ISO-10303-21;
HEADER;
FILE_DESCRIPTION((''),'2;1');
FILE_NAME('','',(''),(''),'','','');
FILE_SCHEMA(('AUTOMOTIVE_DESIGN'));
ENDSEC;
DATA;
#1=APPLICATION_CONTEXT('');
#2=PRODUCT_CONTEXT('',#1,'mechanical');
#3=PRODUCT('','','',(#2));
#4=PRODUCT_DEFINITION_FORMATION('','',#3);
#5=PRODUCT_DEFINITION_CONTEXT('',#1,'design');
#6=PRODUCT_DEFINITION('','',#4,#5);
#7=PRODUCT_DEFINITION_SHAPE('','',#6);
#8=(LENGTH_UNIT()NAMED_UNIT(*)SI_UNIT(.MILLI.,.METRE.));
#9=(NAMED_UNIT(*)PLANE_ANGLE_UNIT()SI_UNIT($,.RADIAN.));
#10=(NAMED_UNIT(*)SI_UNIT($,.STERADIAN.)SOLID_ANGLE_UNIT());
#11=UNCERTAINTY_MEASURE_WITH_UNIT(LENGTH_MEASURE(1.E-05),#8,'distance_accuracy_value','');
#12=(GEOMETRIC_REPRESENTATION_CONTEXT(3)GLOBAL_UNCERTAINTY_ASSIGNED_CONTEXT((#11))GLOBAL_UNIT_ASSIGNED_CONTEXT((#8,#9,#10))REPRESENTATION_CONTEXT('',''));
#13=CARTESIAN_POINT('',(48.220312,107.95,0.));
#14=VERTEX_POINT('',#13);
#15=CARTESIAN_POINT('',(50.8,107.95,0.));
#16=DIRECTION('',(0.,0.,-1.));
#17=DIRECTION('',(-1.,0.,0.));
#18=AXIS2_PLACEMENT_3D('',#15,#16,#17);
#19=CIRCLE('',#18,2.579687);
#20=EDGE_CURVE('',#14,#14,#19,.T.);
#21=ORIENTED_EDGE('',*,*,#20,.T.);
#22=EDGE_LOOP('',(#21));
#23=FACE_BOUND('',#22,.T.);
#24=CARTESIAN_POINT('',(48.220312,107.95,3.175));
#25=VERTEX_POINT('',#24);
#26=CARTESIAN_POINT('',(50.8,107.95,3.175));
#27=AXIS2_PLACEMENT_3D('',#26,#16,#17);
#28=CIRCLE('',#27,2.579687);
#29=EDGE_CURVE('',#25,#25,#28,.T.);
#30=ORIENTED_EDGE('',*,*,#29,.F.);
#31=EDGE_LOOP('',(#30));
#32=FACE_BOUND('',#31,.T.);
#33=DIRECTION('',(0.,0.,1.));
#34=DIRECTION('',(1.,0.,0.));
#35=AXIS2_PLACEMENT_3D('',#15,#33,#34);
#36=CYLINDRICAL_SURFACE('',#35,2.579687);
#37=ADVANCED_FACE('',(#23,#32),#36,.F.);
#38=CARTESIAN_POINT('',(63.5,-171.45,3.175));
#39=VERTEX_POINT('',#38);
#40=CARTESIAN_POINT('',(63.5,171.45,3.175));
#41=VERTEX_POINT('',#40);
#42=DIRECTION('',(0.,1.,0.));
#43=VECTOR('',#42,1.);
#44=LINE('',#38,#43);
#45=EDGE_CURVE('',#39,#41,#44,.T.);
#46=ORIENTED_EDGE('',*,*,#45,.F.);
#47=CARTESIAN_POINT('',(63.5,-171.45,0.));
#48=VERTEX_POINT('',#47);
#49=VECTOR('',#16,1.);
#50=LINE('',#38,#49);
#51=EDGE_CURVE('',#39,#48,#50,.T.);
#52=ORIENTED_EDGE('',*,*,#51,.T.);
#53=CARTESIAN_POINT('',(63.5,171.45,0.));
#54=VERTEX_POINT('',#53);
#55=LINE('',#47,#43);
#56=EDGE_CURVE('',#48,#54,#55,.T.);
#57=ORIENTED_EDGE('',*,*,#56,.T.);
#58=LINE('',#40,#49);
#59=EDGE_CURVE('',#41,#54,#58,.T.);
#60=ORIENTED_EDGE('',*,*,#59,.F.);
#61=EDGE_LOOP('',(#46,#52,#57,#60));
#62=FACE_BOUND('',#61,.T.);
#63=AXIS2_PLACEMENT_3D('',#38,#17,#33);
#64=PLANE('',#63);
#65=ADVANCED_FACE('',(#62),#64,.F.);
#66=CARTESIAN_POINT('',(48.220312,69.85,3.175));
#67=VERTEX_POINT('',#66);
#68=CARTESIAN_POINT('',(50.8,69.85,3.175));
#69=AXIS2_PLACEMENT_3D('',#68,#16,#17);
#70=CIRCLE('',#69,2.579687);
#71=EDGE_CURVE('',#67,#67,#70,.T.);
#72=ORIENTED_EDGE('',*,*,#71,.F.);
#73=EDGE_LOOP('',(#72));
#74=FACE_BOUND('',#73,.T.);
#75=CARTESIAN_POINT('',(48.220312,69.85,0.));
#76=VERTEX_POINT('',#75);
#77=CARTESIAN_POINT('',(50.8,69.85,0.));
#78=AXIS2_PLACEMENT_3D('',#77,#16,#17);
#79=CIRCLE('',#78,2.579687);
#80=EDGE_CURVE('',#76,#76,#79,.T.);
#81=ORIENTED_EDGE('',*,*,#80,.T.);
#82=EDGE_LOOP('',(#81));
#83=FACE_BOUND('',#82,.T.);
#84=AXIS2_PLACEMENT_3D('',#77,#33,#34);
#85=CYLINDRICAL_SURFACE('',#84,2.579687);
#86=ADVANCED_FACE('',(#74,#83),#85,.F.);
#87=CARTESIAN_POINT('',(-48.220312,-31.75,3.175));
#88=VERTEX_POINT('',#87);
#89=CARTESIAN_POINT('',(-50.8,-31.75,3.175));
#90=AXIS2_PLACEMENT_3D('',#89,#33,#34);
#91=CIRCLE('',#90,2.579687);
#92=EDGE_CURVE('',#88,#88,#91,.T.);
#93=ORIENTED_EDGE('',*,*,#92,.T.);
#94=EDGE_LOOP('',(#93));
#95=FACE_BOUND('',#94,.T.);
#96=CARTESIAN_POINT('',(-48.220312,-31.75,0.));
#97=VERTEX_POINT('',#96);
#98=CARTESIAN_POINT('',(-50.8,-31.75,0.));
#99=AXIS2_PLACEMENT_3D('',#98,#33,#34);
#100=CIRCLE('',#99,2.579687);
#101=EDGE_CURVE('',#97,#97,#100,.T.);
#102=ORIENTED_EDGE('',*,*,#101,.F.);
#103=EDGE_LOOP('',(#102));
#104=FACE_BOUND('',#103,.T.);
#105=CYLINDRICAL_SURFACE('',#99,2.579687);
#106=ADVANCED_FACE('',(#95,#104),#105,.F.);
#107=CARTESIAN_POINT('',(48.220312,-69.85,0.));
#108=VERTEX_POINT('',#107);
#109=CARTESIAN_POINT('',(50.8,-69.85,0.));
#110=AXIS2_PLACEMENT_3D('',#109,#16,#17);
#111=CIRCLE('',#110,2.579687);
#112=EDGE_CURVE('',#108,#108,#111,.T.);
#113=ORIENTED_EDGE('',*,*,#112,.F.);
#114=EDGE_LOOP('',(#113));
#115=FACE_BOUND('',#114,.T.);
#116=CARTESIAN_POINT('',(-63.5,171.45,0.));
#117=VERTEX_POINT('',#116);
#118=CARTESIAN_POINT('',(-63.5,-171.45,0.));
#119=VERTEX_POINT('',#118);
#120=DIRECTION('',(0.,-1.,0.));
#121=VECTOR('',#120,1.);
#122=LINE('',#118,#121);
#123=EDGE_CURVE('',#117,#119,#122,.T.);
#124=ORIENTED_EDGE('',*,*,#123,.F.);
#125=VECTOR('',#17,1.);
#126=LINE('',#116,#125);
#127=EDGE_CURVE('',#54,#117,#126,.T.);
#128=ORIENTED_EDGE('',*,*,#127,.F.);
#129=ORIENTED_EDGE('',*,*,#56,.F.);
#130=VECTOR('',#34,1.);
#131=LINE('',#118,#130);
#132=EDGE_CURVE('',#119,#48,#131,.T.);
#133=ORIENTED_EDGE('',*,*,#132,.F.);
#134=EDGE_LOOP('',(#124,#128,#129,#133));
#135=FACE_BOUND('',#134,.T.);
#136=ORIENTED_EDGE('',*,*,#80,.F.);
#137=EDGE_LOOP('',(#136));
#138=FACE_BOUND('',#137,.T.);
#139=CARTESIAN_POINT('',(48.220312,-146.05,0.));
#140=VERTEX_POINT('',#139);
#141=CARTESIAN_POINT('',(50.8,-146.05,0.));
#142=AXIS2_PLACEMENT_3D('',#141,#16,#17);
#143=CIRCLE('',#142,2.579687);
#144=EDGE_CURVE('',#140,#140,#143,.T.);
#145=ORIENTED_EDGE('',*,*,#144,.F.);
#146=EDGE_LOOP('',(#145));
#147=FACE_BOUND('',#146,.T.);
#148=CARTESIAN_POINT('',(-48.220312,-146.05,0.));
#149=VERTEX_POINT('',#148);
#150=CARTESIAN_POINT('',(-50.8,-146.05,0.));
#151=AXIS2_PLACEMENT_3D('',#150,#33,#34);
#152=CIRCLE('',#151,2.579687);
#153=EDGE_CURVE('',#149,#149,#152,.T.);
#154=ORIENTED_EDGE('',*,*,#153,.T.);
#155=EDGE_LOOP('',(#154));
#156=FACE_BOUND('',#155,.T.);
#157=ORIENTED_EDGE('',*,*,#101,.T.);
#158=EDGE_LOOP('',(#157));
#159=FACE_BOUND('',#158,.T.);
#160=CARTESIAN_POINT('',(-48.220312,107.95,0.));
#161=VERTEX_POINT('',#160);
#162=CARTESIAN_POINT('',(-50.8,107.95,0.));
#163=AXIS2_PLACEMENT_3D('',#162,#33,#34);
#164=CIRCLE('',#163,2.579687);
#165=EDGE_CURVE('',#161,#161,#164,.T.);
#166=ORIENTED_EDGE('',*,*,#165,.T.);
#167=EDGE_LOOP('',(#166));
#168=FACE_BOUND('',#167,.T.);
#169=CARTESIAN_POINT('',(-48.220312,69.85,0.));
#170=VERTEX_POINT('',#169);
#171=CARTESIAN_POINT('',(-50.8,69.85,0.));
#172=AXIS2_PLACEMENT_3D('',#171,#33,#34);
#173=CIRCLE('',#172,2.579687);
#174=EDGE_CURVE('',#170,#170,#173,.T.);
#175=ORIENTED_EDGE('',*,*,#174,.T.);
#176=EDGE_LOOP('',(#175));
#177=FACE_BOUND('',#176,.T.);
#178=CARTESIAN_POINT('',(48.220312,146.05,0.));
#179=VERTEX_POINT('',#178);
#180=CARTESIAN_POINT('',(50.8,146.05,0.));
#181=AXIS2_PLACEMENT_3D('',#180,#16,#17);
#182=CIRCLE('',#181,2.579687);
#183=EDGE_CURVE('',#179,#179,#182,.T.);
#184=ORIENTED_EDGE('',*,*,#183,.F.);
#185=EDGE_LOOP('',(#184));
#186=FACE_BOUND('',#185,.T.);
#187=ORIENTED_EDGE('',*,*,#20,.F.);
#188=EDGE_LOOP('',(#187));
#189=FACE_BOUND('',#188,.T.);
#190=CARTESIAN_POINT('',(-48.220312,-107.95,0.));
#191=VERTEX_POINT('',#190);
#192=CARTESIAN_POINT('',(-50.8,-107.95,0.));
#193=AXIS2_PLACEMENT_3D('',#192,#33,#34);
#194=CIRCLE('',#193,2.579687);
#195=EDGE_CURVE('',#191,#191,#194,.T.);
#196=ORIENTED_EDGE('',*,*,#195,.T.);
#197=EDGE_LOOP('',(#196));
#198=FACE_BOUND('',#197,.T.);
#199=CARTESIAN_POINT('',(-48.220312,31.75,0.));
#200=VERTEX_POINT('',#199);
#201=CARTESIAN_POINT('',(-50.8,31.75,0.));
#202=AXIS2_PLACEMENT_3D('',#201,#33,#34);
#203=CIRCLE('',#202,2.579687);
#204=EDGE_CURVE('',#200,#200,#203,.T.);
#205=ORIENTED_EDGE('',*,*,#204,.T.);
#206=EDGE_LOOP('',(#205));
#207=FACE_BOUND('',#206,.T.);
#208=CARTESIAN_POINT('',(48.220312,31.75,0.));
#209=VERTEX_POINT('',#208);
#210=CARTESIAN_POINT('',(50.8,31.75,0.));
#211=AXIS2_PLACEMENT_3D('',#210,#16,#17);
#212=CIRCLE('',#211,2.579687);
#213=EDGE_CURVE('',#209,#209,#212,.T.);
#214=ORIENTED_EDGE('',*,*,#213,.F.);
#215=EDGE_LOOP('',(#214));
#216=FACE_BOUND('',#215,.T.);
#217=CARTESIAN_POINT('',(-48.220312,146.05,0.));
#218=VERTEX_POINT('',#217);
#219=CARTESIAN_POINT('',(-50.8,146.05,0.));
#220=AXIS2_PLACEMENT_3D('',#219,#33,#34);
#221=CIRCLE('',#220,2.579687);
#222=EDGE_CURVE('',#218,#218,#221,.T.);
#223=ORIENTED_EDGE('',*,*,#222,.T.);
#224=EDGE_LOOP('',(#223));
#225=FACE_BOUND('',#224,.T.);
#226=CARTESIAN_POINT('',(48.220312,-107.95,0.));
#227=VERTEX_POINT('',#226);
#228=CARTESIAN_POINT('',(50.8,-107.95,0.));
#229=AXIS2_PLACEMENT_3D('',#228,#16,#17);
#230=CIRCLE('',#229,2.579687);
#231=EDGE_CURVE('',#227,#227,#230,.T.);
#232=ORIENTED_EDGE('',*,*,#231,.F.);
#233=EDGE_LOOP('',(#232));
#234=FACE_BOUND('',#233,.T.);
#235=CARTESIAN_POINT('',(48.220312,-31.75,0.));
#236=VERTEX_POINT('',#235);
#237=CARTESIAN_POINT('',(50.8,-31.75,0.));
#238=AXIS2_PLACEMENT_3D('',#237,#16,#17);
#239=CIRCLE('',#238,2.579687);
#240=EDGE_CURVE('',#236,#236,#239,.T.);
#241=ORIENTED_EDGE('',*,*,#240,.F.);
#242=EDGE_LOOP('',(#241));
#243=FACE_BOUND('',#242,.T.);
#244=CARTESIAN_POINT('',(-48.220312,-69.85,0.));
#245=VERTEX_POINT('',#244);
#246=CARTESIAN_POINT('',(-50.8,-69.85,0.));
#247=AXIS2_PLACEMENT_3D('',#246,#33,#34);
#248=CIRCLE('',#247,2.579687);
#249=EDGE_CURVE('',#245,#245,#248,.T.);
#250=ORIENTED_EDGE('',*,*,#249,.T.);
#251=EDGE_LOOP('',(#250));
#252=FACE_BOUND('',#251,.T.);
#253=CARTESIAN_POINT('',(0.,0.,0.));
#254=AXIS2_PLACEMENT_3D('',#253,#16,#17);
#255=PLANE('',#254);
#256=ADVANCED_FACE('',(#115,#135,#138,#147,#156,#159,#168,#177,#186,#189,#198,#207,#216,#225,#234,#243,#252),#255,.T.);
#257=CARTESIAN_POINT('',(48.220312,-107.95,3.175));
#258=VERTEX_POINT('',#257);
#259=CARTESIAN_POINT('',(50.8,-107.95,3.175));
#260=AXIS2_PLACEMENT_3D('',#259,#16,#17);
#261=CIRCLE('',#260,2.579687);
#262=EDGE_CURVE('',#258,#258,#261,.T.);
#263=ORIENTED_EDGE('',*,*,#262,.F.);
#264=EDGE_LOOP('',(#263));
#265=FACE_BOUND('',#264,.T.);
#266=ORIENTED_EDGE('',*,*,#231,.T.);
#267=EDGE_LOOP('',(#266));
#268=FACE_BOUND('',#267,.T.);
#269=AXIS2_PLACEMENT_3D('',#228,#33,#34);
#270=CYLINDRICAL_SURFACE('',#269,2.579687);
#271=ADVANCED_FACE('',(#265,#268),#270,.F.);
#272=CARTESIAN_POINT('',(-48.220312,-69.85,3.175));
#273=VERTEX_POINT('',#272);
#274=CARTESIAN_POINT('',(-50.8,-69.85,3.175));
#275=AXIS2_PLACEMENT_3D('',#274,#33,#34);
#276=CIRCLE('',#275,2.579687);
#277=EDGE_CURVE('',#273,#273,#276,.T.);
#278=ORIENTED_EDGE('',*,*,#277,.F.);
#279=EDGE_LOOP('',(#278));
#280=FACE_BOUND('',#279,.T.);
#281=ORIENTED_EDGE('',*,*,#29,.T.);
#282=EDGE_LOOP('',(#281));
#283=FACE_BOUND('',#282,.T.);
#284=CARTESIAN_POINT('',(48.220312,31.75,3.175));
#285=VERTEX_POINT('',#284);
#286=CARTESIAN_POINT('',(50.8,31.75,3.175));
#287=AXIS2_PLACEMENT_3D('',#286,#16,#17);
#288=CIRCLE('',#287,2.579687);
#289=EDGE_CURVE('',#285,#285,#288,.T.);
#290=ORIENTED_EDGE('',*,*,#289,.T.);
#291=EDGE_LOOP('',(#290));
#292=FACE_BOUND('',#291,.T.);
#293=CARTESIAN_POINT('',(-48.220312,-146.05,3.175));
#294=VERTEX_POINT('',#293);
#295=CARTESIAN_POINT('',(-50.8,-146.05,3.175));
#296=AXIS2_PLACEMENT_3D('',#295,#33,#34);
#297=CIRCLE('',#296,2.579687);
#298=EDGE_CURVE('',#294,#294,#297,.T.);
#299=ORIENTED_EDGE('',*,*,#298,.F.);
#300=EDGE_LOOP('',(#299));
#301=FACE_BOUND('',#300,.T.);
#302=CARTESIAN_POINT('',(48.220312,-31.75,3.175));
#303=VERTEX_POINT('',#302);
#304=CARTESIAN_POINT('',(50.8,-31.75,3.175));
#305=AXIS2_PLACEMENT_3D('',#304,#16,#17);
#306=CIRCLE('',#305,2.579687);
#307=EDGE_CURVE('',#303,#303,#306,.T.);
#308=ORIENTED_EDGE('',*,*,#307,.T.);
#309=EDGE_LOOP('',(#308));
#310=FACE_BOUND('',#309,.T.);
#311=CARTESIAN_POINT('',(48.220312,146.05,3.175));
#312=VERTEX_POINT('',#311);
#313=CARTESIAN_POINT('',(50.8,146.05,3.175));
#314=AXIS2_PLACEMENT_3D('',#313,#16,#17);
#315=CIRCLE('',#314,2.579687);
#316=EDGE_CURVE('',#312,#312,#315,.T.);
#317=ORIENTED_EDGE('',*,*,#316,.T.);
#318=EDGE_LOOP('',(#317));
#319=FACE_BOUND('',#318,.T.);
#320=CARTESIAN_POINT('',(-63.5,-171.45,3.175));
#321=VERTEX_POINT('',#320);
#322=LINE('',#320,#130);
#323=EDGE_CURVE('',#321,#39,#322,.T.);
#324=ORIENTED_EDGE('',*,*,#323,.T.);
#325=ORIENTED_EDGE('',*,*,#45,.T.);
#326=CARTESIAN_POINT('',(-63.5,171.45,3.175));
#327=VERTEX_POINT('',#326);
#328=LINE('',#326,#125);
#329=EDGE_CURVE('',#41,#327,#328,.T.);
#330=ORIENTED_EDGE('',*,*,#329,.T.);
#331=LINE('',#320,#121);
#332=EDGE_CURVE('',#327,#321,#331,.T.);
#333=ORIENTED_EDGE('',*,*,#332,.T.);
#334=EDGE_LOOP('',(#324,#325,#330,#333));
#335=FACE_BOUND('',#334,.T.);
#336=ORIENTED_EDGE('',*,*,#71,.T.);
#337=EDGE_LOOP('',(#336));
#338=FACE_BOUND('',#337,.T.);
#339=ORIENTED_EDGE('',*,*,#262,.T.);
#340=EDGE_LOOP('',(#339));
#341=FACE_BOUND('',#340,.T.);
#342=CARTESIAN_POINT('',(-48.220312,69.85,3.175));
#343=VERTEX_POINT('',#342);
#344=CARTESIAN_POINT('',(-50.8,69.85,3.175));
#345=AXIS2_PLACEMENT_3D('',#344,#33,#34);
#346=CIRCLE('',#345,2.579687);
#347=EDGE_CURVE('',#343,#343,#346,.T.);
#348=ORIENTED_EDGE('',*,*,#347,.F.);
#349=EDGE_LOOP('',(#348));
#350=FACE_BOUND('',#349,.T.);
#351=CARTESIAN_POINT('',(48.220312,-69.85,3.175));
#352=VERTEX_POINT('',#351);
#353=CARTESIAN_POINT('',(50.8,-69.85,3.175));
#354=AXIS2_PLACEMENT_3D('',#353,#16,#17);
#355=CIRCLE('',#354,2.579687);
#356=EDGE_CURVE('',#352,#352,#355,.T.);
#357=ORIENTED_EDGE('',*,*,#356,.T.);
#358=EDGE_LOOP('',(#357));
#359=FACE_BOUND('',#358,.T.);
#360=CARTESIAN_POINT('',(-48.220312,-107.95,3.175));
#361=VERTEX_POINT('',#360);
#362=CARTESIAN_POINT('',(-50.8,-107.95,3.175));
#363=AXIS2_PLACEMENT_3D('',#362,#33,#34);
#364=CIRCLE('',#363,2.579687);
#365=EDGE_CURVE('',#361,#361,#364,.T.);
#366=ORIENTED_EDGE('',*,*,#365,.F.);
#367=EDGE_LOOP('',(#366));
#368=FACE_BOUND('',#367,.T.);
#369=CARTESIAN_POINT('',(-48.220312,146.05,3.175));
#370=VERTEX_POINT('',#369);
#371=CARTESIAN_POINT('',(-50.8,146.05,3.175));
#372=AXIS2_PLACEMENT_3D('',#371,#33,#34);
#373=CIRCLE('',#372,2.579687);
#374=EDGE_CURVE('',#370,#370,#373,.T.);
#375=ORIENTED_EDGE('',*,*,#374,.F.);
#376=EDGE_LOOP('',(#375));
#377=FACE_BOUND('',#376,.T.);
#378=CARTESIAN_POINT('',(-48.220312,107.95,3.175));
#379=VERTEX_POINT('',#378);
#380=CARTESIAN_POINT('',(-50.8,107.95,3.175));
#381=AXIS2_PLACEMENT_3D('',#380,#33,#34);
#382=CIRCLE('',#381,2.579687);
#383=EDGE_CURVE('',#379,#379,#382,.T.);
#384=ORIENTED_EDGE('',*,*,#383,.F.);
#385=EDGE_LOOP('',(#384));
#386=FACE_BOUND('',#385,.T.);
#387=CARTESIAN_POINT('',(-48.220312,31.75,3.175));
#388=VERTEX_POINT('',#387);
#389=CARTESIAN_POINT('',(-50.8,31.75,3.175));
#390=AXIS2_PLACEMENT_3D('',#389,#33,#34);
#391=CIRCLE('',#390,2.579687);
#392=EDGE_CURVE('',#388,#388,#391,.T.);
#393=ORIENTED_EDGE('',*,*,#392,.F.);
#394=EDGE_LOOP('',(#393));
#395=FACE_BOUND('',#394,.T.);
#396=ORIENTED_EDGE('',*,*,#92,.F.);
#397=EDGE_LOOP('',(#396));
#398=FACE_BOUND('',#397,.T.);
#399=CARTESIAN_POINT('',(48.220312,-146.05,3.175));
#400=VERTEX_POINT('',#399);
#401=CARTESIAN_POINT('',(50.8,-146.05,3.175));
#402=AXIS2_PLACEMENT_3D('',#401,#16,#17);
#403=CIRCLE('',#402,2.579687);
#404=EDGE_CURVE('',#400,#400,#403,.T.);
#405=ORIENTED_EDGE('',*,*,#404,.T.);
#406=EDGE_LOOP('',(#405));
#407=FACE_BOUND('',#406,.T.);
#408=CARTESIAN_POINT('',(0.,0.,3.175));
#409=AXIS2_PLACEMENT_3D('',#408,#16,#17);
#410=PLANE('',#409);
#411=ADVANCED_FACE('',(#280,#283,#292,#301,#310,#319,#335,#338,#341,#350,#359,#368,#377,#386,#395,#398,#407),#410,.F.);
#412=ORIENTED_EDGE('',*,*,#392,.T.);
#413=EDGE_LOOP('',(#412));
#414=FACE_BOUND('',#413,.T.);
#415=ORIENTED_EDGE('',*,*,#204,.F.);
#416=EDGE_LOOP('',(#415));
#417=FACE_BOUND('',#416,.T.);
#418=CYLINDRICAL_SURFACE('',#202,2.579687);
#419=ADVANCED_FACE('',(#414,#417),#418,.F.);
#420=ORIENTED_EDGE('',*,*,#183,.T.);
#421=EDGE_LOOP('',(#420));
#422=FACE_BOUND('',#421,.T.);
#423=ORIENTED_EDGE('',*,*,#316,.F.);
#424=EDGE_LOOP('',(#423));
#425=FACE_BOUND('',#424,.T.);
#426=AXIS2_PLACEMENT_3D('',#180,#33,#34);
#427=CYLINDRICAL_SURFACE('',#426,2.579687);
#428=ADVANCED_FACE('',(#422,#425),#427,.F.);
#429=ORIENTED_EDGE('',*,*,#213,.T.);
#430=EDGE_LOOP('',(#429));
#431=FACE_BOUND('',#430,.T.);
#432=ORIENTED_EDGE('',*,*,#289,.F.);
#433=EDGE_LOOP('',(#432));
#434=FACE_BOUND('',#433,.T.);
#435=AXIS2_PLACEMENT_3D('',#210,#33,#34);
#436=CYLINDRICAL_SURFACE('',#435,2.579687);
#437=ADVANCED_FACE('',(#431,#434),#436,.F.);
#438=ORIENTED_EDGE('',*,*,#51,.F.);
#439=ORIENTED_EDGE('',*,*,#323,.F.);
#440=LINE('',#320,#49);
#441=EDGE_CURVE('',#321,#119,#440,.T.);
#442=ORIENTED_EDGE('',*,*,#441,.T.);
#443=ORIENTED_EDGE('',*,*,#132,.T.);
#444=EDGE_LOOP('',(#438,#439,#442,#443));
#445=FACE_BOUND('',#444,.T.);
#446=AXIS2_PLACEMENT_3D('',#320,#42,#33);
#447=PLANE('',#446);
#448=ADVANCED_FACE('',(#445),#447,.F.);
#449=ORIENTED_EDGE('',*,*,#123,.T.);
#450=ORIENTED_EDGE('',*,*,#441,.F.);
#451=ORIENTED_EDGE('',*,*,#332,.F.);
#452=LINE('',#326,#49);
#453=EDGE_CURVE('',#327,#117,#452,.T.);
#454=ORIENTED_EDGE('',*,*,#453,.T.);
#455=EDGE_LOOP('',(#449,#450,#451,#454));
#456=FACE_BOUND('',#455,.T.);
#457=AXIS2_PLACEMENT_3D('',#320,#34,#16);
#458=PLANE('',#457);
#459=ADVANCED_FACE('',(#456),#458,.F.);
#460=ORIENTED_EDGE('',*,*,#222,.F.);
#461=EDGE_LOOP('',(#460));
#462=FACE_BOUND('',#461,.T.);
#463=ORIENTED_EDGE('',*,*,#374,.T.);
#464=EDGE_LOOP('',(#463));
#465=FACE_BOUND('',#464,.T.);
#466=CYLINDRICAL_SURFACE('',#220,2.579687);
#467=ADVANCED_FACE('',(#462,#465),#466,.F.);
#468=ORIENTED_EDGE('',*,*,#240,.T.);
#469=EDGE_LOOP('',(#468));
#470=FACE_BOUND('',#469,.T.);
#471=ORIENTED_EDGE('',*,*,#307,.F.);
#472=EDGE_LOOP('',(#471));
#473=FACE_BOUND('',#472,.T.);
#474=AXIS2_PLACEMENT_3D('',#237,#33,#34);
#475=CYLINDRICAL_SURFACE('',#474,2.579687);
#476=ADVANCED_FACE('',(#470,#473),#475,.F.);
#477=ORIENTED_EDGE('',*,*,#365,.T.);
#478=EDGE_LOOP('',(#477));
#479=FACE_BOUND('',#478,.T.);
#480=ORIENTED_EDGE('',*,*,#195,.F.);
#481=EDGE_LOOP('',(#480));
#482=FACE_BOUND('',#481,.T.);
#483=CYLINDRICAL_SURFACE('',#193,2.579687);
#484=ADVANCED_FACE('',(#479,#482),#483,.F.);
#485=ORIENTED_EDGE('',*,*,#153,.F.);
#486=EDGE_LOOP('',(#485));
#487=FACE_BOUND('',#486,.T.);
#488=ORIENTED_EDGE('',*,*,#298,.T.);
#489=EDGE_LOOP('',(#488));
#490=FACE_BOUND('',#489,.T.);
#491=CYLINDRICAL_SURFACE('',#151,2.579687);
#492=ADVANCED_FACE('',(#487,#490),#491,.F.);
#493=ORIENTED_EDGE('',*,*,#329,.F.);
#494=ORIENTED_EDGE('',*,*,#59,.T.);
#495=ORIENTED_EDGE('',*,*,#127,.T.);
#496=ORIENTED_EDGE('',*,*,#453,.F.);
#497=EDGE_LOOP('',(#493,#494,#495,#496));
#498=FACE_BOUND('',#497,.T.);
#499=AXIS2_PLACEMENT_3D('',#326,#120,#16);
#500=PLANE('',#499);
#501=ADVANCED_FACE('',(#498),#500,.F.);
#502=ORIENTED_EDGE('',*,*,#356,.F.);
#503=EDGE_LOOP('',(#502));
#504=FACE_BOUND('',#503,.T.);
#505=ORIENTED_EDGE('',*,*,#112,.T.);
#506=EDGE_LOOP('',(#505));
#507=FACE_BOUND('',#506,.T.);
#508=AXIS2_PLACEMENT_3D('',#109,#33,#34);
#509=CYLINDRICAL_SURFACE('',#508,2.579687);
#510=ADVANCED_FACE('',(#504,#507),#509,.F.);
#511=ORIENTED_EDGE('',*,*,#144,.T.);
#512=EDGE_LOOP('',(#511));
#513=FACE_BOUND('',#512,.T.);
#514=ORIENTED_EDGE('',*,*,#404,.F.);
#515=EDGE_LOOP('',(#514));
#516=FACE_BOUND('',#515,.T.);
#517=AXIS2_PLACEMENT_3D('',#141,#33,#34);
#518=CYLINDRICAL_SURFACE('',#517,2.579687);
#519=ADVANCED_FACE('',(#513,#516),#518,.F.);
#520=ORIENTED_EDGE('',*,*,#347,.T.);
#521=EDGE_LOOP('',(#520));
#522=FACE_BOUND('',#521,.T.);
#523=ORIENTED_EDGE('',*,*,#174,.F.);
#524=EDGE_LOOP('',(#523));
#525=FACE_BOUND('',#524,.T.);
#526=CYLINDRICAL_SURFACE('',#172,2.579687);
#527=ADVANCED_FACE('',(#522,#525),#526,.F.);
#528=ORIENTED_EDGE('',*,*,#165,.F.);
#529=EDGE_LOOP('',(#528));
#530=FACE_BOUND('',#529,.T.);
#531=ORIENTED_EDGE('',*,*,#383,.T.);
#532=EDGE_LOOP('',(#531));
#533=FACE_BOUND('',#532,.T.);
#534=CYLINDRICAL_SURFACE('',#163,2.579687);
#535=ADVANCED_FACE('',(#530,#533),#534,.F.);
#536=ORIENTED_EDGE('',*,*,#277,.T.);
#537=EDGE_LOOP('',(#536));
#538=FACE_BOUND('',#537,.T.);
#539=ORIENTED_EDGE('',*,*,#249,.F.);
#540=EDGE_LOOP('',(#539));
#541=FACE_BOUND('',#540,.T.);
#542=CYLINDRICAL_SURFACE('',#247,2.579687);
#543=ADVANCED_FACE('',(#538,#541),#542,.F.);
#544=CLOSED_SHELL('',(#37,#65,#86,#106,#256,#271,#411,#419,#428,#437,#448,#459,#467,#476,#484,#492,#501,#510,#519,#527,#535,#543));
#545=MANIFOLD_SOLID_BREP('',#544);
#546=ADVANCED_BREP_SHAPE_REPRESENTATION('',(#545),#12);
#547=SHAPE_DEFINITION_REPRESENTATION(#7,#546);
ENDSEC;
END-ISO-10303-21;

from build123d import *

# Parameters (mm, degrees)
SKETCH1_W           = 127
SKETCH1_H           = 342.9
BOSS_EXTRUDE1_DEPTH = 3.175
SKETCH2_R           = 2.5796875
CUT_EXTRUDE1_DEPTH  = 3.175


with BuildPart() as part:
    # Sketch1 → Boss-Extrude1 (new body)
    with BuildSketch(Plane.XY):
        Rectangle(SKETCH1_W, SKETCH1_H)
    extrude(amount=BOSS_EXTRUDE1_DEPTH)

    # Sketch2 → Cut-Extrude1 (cut)
    with BuildSketch(Plane.XY.offset(3.175)):
        with Locations((-50.8, -146.05)):
            Circle(SKETCH2_R)
        with Locations((-50.8, -107.95)):
            Circle(SKETCH2_R)
        with Locations((-50.8, -69.85)):
            Circle(SKETCH2_R)
        with Locations((-50.8, 69.85)):
            Circle(SKETCH2_R)
        with Locations((-50.8, 107.95)):
            Circle(SKETCH2_R)
        with Locations((-50.8, 146.05)):
            Circle(SKETCH2_R)
        with Locations((-50.8, 31.75)):
            Circle(SKETCH2_R)
        with Locations((-50.8, -31.75)):
            Circle(SKETCH2_R)
    cut_extrude1 = extrude(amount=-CUT_EXTRUDE1_DEPTH, mode=Mode.SUBTRACT)

    # Mirror1: Cut-Extrude1 across plane
    add(cut_extrude1.mirror(Plane(origin=(0, 0, 0), x_dir=(0, 0, 1), z_dir=(1, 0, 0))), mode=Mode.SUBTRACT)


solid = part.part
